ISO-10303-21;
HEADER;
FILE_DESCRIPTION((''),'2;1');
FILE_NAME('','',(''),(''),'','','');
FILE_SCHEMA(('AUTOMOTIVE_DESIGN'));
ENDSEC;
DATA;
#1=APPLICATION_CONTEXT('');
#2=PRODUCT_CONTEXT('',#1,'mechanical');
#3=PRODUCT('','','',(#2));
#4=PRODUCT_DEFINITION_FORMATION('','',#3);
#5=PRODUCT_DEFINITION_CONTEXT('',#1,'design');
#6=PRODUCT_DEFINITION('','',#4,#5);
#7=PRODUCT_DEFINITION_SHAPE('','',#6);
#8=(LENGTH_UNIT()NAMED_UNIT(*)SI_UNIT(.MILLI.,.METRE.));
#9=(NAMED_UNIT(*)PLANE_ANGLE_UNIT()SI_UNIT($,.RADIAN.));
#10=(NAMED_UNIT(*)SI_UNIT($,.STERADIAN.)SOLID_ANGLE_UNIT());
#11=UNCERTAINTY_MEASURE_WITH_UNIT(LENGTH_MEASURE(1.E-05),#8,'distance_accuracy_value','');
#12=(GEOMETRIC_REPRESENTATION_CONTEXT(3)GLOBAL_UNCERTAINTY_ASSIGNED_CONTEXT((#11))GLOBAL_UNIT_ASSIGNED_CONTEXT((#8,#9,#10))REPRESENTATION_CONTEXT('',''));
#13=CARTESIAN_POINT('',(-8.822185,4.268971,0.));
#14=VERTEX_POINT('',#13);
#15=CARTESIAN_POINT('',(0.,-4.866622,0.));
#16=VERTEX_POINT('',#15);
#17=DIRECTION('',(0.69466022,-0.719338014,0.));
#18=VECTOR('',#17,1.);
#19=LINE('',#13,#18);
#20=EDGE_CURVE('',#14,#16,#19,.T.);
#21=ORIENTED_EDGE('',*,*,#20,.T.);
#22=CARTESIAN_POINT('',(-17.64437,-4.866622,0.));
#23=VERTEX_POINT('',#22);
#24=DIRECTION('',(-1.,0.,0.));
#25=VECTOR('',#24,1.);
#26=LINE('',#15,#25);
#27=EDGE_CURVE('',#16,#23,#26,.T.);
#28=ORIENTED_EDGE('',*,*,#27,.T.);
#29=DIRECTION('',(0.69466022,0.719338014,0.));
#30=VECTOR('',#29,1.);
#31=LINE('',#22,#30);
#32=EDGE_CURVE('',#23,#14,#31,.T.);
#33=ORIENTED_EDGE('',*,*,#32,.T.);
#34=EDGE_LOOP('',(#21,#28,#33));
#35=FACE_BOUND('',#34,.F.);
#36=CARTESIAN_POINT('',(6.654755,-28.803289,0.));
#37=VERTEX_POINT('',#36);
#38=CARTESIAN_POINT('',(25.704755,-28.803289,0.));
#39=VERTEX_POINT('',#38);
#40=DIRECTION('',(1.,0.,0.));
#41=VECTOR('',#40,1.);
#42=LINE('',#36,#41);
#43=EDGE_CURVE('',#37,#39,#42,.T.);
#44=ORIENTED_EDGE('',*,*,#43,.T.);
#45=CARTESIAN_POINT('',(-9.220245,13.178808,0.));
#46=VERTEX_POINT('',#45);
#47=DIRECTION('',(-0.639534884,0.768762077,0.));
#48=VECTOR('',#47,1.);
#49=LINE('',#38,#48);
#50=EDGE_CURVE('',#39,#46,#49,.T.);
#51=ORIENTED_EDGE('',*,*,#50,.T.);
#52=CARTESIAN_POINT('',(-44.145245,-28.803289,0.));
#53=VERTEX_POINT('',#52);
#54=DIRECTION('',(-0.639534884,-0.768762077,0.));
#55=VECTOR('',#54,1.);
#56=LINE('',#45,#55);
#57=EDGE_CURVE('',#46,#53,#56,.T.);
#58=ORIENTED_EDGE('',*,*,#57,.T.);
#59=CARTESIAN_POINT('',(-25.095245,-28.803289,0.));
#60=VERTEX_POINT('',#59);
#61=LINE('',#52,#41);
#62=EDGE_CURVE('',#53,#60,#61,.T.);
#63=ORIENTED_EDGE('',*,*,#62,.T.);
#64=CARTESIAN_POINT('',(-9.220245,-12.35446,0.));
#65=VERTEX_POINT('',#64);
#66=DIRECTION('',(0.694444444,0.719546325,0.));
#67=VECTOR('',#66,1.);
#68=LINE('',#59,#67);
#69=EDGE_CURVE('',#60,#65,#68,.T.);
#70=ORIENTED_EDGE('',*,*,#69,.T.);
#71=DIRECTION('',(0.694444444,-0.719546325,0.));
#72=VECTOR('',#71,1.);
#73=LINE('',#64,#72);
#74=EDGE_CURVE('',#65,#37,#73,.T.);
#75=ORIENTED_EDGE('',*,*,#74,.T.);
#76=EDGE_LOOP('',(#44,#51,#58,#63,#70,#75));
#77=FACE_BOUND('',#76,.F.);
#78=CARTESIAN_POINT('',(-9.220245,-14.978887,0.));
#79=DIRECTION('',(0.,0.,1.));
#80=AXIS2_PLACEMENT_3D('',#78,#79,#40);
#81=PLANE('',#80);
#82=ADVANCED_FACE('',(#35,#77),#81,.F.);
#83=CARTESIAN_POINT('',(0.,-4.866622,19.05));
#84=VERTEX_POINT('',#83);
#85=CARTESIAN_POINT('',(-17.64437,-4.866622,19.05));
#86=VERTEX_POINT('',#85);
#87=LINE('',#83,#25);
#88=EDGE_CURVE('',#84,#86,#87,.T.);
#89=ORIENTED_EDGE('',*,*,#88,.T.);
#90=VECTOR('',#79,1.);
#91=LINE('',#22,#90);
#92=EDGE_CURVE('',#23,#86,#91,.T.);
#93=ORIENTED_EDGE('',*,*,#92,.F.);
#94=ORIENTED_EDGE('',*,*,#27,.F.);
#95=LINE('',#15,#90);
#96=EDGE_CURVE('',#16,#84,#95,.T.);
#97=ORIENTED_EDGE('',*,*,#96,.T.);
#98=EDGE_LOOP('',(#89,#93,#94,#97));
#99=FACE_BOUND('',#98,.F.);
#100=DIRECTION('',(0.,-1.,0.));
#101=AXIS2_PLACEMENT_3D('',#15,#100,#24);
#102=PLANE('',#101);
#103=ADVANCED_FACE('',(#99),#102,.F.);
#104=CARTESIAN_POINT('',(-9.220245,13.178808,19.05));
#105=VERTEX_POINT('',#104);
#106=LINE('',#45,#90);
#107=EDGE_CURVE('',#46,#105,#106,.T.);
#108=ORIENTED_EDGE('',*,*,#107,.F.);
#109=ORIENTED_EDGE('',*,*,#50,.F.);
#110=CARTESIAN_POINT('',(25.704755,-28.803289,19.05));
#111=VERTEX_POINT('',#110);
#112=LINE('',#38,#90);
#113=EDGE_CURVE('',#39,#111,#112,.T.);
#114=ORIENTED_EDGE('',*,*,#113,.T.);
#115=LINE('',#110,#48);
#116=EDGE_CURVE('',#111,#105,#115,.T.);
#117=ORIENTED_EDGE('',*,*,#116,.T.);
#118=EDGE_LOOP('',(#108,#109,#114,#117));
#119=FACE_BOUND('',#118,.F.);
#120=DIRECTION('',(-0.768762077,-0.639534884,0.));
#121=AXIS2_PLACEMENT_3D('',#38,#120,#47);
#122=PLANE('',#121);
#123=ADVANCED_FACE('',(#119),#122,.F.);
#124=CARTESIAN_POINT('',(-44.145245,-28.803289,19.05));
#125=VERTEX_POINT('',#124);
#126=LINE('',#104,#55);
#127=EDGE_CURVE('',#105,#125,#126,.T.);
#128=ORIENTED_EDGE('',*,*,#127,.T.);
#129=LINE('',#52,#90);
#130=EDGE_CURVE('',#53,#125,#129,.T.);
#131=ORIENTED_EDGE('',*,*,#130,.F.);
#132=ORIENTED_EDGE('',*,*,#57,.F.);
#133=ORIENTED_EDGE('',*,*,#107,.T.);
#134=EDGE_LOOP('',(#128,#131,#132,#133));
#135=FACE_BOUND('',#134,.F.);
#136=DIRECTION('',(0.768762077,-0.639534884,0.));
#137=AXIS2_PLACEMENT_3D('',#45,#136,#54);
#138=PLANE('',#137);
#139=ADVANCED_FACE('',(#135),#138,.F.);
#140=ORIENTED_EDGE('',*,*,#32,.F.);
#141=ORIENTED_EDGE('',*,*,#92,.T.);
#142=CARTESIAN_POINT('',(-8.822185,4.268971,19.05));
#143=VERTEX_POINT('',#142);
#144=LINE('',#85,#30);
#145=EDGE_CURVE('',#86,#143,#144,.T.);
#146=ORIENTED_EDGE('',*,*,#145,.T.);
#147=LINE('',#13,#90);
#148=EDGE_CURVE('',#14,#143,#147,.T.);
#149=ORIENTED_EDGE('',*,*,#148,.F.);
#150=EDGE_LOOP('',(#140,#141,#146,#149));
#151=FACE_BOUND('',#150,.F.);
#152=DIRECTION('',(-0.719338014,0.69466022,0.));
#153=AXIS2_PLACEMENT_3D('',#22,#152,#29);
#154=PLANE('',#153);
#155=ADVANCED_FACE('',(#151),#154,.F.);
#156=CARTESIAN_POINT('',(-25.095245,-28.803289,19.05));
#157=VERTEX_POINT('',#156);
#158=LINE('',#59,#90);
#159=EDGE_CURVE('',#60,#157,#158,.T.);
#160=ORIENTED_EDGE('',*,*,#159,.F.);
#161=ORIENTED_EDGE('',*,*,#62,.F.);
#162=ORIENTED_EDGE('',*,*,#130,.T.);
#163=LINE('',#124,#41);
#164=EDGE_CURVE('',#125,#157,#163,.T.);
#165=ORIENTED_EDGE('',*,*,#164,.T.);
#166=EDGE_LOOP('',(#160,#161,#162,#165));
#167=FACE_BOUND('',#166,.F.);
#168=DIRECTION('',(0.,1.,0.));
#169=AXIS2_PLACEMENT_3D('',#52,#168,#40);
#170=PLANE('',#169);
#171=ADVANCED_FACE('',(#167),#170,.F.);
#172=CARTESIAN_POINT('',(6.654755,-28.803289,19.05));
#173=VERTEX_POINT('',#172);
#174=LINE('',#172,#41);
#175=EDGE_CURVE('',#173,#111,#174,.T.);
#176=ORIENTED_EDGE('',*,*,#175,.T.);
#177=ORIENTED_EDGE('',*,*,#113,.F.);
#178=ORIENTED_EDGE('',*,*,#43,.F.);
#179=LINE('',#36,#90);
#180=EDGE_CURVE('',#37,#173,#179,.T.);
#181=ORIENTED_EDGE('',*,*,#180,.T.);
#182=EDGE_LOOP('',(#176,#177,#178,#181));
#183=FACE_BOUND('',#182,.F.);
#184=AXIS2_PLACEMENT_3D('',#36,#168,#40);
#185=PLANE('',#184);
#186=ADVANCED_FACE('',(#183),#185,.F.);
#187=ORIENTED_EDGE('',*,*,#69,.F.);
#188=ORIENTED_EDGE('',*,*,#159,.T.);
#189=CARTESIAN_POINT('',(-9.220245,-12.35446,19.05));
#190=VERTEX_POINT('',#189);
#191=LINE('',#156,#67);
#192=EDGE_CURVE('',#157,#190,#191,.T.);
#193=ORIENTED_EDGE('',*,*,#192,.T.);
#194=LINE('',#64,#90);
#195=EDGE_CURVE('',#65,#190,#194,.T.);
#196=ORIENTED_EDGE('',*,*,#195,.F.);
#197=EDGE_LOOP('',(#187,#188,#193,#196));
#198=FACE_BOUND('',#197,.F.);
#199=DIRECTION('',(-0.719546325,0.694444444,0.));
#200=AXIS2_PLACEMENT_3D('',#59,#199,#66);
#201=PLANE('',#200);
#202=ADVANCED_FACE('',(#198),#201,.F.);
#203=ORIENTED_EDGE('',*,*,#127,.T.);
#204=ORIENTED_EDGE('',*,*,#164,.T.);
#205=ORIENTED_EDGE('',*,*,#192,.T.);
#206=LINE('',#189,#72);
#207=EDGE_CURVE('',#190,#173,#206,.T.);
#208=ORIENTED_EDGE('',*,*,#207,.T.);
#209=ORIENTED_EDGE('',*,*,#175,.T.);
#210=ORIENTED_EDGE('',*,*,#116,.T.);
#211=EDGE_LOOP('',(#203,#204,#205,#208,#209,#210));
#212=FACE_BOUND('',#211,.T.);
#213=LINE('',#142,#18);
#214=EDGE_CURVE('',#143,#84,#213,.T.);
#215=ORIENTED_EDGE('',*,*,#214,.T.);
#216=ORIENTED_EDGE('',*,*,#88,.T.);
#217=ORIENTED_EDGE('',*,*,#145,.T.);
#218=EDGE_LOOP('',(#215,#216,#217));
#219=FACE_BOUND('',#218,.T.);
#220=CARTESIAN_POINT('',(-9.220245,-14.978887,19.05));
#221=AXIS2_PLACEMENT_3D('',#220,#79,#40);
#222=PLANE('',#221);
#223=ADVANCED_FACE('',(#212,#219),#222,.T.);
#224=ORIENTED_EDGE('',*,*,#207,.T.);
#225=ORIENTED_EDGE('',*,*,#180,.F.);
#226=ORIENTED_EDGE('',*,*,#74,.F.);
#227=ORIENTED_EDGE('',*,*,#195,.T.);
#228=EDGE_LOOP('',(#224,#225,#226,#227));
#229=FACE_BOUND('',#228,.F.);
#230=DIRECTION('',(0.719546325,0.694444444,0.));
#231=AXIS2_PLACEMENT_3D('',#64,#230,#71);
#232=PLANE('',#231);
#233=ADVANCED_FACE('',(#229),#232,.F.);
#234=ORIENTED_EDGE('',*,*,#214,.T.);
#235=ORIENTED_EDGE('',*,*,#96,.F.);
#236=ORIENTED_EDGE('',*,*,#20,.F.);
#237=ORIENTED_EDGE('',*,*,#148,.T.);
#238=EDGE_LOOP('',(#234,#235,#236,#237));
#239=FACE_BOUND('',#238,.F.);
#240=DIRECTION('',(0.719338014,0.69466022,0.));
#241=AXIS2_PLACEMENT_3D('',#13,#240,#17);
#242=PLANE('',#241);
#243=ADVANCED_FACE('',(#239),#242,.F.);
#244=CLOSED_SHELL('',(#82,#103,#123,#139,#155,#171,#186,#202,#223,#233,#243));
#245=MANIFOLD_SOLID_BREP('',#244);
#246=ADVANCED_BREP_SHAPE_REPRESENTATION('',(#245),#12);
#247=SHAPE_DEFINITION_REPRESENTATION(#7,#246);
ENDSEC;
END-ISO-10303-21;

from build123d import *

# Parameters (mm, degrees)
F1_DEPTH = 19.05


with BuildPart() as f1:
    # F0 (on Top) → F1 (new body)
    with BuildSketch(Plane.XY):
        Polygon((-9.220245, 13.178808), (-44.145245, -28.803289), (-25.095245, -28.803289), (-9.220245, -12.35446), (6.654755, -28.803289), (25.704755, -28.803289), align=None)
        Polygon((-17.64437, -4.866622), (-8.822185, 4.268971), (0, -4.866622), align=None, mode=Mode.SUBTRACT)
    extrude(amount=F1_DEPTH)


solid = f1.part
